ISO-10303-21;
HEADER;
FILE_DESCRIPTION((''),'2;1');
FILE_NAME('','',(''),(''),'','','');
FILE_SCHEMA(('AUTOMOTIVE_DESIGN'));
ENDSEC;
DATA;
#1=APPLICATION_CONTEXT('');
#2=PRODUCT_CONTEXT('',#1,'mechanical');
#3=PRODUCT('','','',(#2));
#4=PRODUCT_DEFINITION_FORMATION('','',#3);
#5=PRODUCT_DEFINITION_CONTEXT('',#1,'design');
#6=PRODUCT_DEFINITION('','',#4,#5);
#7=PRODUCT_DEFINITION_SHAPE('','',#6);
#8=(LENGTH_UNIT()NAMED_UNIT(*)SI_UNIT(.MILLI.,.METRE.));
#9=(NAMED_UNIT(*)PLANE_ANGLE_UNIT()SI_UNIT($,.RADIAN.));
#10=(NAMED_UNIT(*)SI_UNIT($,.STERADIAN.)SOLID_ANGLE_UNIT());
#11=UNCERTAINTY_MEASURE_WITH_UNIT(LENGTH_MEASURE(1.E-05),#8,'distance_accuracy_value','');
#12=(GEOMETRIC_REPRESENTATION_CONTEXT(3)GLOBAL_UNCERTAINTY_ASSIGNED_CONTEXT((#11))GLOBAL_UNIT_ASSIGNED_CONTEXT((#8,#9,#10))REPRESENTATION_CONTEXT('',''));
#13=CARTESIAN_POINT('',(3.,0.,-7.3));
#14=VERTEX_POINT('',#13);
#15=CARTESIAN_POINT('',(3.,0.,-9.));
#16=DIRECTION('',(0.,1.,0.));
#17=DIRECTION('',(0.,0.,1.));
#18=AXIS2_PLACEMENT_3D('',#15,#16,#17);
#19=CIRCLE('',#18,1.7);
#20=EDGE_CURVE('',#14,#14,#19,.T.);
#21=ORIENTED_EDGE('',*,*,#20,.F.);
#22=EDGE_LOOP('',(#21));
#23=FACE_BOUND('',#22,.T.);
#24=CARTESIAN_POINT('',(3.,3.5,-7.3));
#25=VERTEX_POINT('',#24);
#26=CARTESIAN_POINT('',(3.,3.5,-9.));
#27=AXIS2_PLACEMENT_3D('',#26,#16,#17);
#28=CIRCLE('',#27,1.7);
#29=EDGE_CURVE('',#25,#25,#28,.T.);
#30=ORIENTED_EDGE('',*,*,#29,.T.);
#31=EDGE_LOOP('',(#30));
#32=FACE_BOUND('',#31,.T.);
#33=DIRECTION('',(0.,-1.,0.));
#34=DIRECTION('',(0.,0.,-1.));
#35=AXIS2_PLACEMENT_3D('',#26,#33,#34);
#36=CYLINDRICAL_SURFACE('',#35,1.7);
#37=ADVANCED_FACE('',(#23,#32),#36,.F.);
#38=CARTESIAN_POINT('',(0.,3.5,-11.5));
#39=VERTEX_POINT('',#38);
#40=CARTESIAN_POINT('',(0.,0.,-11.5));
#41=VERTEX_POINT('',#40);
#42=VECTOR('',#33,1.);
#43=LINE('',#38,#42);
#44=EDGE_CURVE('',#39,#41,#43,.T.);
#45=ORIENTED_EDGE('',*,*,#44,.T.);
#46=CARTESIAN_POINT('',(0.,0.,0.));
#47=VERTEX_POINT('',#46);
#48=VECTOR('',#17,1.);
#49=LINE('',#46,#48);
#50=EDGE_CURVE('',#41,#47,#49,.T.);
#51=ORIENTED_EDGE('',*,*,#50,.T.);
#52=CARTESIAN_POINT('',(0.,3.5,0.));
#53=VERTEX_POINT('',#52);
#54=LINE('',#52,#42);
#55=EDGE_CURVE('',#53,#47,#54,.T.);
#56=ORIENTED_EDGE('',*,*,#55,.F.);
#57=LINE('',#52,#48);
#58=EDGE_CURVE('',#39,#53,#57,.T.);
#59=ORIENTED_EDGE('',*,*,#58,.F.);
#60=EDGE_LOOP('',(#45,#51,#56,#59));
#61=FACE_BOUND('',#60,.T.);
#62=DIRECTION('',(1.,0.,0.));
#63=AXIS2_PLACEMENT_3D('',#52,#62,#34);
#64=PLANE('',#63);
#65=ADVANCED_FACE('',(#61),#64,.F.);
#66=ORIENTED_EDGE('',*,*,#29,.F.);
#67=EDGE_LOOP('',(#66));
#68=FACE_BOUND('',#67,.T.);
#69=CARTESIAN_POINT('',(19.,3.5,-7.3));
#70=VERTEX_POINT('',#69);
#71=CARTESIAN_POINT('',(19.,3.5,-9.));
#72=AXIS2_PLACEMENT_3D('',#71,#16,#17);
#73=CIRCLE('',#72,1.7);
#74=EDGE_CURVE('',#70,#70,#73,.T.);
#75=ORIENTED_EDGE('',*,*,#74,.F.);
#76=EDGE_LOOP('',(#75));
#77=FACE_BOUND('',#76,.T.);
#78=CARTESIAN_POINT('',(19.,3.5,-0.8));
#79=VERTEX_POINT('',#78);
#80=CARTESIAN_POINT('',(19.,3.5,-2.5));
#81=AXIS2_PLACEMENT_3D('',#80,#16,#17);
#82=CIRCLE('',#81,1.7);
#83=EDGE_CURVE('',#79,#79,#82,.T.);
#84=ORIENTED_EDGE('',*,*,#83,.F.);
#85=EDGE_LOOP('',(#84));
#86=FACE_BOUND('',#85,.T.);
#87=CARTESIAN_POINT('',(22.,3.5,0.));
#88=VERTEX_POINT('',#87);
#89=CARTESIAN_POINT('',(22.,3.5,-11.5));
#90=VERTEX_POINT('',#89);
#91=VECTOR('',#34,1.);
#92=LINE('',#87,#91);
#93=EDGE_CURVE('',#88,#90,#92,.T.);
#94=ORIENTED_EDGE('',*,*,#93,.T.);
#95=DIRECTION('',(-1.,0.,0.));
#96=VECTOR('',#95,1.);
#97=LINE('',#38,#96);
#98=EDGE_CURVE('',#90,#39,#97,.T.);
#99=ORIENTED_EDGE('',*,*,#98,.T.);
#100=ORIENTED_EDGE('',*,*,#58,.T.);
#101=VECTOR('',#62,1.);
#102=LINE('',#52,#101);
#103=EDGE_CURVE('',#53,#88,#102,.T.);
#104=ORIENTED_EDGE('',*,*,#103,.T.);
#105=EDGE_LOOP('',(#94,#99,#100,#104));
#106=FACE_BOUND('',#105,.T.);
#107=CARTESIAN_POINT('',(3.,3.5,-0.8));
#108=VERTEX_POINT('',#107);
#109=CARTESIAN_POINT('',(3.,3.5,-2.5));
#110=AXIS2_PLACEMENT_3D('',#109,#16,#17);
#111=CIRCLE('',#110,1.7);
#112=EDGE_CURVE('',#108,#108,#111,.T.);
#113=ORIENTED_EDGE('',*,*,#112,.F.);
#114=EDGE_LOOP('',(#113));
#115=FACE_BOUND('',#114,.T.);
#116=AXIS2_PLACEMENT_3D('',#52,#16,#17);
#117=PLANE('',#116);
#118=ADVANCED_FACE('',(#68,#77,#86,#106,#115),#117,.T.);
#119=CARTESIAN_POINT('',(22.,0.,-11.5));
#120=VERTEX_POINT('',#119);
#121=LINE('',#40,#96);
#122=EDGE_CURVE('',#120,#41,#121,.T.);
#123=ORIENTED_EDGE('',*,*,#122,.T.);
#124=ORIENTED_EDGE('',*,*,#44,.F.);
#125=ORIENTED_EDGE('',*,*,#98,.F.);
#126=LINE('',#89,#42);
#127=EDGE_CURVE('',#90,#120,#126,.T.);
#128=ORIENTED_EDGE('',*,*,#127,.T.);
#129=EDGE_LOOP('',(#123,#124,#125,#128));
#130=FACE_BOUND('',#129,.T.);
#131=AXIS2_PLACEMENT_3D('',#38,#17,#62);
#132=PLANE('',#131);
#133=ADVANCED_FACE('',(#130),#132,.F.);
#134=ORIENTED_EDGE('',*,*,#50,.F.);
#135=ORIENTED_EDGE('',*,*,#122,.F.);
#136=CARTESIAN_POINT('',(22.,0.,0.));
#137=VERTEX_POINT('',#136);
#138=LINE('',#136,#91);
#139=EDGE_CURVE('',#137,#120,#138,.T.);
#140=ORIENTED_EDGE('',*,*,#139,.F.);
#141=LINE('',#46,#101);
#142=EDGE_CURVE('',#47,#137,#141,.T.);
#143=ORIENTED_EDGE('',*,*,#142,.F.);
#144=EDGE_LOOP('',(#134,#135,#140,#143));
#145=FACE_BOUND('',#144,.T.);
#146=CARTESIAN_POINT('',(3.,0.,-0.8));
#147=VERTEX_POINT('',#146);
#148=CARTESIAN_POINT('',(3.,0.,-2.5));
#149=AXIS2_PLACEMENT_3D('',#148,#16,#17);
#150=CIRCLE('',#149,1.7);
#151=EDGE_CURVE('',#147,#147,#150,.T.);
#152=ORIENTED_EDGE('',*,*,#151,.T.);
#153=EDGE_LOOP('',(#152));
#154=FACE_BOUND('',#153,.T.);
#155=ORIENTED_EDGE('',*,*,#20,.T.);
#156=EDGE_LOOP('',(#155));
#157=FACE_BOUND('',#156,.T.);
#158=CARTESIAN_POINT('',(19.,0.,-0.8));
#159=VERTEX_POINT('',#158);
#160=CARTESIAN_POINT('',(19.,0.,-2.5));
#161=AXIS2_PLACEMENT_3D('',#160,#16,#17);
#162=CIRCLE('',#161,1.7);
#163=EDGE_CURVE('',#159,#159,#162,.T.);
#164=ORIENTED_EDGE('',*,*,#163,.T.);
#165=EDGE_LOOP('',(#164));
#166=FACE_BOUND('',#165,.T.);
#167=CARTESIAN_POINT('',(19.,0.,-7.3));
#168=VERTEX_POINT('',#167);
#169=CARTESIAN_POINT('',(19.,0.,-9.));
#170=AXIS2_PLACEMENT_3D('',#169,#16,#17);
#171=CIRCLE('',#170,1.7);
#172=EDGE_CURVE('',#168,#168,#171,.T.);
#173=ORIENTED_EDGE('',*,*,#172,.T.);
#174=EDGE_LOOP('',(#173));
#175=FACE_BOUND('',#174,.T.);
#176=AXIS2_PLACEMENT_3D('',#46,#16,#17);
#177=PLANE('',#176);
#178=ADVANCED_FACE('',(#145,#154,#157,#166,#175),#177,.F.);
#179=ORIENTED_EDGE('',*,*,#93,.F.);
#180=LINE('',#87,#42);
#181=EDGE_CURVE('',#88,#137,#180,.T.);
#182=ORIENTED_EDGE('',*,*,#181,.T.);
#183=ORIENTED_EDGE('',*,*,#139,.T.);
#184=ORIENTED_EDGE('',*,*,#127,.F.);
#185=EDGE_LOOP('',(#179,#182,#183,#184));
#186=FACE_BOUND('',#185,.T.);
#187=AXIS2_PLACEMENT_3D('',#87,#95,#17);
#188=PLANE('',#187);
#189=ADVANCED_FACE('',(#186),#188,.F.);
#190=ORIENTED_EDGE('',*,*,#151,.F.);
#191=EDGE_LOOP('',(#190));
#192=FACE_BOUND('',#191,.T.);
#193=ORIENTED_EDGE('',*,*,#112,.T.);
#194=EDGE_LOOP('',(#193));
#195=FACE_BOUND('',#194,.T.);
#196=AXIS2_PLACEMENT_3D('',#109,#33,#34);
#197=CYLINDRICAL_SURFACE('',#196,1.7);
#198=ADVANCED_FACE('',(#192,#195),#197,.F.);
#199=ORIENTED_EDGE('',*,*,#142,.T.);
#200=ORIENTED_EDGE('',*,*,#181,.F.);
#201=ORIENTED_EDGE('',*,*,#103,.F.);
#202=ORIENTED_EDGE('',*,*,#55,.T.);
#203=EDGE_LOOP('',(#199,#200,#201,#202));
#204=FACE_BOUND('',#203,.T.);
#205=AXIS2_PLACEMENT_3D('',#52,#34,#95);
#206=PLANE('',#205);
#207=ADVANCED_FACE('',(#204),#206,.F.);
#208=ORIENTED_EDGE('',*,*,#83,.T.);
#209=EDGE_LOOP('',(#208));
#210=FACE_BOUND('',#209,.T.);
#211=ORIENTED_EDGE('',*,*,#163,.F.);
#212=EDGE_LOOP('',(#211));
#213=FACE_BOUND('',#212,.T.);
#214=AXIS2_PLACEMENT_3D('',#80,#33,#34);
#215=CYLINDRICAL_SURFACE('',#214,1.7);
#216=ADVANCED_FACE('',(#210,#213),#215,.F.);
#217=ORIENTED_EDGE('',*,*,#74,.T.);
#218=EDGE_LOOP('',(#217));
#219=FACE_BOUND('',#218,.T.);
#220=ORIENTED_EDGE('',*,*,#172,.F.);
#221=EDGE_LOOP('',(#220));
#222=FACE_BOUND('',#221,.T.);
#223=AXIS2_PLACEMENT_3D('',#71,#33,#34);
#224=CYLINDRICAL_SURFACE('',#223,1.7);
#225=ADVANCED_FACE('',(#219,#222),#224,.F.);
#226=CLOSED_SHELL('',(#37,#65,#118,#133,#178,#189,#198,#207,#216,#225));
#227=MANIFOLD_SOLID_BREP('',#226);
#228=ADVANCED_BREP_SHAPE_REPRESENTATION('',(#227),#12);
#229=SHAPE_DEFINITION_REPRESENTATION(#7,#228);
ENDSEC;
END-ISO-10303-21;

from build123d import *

# Parameters (mm, degrees)
SKETCH1_W           = 22
SKETCH1_H           = 11.5
SKETCH1_R           = 1.7
BOSS_EXTRUDE1_DEPTH = 3.5


with BuildPart() as part:
    # Sketch1 → Boss-Extrude1 (new body)
    with BuildSketch(Plane(origin=(0, 0, 0), x_dir=(1, 0, 0), z_dir=(0, 1, 0))):
        with Locations((11, 5.75)):
            Rectangle(SKETCH1_W, SKETCH1_H)
        with Locations((3, 2.5)):
            Circle(SKETCH1_R, mode=Mode.SUBTRACT)
        with Locations((3, 9)):
            Circle(SKETCH1_R, mode=Mode.SUBTRACT)
        with Locations((19, 9)):
            Circle(SKETCH1_R, mode=Mode.SUBTRACT)
        with Locations((19, 2.5)):
            Circle(SKETCH1_R, mode=Mode.SUBTRACT)
    extrude(amount=BOSS_EXTRUDE1_DEPTH)


solid = part.part
